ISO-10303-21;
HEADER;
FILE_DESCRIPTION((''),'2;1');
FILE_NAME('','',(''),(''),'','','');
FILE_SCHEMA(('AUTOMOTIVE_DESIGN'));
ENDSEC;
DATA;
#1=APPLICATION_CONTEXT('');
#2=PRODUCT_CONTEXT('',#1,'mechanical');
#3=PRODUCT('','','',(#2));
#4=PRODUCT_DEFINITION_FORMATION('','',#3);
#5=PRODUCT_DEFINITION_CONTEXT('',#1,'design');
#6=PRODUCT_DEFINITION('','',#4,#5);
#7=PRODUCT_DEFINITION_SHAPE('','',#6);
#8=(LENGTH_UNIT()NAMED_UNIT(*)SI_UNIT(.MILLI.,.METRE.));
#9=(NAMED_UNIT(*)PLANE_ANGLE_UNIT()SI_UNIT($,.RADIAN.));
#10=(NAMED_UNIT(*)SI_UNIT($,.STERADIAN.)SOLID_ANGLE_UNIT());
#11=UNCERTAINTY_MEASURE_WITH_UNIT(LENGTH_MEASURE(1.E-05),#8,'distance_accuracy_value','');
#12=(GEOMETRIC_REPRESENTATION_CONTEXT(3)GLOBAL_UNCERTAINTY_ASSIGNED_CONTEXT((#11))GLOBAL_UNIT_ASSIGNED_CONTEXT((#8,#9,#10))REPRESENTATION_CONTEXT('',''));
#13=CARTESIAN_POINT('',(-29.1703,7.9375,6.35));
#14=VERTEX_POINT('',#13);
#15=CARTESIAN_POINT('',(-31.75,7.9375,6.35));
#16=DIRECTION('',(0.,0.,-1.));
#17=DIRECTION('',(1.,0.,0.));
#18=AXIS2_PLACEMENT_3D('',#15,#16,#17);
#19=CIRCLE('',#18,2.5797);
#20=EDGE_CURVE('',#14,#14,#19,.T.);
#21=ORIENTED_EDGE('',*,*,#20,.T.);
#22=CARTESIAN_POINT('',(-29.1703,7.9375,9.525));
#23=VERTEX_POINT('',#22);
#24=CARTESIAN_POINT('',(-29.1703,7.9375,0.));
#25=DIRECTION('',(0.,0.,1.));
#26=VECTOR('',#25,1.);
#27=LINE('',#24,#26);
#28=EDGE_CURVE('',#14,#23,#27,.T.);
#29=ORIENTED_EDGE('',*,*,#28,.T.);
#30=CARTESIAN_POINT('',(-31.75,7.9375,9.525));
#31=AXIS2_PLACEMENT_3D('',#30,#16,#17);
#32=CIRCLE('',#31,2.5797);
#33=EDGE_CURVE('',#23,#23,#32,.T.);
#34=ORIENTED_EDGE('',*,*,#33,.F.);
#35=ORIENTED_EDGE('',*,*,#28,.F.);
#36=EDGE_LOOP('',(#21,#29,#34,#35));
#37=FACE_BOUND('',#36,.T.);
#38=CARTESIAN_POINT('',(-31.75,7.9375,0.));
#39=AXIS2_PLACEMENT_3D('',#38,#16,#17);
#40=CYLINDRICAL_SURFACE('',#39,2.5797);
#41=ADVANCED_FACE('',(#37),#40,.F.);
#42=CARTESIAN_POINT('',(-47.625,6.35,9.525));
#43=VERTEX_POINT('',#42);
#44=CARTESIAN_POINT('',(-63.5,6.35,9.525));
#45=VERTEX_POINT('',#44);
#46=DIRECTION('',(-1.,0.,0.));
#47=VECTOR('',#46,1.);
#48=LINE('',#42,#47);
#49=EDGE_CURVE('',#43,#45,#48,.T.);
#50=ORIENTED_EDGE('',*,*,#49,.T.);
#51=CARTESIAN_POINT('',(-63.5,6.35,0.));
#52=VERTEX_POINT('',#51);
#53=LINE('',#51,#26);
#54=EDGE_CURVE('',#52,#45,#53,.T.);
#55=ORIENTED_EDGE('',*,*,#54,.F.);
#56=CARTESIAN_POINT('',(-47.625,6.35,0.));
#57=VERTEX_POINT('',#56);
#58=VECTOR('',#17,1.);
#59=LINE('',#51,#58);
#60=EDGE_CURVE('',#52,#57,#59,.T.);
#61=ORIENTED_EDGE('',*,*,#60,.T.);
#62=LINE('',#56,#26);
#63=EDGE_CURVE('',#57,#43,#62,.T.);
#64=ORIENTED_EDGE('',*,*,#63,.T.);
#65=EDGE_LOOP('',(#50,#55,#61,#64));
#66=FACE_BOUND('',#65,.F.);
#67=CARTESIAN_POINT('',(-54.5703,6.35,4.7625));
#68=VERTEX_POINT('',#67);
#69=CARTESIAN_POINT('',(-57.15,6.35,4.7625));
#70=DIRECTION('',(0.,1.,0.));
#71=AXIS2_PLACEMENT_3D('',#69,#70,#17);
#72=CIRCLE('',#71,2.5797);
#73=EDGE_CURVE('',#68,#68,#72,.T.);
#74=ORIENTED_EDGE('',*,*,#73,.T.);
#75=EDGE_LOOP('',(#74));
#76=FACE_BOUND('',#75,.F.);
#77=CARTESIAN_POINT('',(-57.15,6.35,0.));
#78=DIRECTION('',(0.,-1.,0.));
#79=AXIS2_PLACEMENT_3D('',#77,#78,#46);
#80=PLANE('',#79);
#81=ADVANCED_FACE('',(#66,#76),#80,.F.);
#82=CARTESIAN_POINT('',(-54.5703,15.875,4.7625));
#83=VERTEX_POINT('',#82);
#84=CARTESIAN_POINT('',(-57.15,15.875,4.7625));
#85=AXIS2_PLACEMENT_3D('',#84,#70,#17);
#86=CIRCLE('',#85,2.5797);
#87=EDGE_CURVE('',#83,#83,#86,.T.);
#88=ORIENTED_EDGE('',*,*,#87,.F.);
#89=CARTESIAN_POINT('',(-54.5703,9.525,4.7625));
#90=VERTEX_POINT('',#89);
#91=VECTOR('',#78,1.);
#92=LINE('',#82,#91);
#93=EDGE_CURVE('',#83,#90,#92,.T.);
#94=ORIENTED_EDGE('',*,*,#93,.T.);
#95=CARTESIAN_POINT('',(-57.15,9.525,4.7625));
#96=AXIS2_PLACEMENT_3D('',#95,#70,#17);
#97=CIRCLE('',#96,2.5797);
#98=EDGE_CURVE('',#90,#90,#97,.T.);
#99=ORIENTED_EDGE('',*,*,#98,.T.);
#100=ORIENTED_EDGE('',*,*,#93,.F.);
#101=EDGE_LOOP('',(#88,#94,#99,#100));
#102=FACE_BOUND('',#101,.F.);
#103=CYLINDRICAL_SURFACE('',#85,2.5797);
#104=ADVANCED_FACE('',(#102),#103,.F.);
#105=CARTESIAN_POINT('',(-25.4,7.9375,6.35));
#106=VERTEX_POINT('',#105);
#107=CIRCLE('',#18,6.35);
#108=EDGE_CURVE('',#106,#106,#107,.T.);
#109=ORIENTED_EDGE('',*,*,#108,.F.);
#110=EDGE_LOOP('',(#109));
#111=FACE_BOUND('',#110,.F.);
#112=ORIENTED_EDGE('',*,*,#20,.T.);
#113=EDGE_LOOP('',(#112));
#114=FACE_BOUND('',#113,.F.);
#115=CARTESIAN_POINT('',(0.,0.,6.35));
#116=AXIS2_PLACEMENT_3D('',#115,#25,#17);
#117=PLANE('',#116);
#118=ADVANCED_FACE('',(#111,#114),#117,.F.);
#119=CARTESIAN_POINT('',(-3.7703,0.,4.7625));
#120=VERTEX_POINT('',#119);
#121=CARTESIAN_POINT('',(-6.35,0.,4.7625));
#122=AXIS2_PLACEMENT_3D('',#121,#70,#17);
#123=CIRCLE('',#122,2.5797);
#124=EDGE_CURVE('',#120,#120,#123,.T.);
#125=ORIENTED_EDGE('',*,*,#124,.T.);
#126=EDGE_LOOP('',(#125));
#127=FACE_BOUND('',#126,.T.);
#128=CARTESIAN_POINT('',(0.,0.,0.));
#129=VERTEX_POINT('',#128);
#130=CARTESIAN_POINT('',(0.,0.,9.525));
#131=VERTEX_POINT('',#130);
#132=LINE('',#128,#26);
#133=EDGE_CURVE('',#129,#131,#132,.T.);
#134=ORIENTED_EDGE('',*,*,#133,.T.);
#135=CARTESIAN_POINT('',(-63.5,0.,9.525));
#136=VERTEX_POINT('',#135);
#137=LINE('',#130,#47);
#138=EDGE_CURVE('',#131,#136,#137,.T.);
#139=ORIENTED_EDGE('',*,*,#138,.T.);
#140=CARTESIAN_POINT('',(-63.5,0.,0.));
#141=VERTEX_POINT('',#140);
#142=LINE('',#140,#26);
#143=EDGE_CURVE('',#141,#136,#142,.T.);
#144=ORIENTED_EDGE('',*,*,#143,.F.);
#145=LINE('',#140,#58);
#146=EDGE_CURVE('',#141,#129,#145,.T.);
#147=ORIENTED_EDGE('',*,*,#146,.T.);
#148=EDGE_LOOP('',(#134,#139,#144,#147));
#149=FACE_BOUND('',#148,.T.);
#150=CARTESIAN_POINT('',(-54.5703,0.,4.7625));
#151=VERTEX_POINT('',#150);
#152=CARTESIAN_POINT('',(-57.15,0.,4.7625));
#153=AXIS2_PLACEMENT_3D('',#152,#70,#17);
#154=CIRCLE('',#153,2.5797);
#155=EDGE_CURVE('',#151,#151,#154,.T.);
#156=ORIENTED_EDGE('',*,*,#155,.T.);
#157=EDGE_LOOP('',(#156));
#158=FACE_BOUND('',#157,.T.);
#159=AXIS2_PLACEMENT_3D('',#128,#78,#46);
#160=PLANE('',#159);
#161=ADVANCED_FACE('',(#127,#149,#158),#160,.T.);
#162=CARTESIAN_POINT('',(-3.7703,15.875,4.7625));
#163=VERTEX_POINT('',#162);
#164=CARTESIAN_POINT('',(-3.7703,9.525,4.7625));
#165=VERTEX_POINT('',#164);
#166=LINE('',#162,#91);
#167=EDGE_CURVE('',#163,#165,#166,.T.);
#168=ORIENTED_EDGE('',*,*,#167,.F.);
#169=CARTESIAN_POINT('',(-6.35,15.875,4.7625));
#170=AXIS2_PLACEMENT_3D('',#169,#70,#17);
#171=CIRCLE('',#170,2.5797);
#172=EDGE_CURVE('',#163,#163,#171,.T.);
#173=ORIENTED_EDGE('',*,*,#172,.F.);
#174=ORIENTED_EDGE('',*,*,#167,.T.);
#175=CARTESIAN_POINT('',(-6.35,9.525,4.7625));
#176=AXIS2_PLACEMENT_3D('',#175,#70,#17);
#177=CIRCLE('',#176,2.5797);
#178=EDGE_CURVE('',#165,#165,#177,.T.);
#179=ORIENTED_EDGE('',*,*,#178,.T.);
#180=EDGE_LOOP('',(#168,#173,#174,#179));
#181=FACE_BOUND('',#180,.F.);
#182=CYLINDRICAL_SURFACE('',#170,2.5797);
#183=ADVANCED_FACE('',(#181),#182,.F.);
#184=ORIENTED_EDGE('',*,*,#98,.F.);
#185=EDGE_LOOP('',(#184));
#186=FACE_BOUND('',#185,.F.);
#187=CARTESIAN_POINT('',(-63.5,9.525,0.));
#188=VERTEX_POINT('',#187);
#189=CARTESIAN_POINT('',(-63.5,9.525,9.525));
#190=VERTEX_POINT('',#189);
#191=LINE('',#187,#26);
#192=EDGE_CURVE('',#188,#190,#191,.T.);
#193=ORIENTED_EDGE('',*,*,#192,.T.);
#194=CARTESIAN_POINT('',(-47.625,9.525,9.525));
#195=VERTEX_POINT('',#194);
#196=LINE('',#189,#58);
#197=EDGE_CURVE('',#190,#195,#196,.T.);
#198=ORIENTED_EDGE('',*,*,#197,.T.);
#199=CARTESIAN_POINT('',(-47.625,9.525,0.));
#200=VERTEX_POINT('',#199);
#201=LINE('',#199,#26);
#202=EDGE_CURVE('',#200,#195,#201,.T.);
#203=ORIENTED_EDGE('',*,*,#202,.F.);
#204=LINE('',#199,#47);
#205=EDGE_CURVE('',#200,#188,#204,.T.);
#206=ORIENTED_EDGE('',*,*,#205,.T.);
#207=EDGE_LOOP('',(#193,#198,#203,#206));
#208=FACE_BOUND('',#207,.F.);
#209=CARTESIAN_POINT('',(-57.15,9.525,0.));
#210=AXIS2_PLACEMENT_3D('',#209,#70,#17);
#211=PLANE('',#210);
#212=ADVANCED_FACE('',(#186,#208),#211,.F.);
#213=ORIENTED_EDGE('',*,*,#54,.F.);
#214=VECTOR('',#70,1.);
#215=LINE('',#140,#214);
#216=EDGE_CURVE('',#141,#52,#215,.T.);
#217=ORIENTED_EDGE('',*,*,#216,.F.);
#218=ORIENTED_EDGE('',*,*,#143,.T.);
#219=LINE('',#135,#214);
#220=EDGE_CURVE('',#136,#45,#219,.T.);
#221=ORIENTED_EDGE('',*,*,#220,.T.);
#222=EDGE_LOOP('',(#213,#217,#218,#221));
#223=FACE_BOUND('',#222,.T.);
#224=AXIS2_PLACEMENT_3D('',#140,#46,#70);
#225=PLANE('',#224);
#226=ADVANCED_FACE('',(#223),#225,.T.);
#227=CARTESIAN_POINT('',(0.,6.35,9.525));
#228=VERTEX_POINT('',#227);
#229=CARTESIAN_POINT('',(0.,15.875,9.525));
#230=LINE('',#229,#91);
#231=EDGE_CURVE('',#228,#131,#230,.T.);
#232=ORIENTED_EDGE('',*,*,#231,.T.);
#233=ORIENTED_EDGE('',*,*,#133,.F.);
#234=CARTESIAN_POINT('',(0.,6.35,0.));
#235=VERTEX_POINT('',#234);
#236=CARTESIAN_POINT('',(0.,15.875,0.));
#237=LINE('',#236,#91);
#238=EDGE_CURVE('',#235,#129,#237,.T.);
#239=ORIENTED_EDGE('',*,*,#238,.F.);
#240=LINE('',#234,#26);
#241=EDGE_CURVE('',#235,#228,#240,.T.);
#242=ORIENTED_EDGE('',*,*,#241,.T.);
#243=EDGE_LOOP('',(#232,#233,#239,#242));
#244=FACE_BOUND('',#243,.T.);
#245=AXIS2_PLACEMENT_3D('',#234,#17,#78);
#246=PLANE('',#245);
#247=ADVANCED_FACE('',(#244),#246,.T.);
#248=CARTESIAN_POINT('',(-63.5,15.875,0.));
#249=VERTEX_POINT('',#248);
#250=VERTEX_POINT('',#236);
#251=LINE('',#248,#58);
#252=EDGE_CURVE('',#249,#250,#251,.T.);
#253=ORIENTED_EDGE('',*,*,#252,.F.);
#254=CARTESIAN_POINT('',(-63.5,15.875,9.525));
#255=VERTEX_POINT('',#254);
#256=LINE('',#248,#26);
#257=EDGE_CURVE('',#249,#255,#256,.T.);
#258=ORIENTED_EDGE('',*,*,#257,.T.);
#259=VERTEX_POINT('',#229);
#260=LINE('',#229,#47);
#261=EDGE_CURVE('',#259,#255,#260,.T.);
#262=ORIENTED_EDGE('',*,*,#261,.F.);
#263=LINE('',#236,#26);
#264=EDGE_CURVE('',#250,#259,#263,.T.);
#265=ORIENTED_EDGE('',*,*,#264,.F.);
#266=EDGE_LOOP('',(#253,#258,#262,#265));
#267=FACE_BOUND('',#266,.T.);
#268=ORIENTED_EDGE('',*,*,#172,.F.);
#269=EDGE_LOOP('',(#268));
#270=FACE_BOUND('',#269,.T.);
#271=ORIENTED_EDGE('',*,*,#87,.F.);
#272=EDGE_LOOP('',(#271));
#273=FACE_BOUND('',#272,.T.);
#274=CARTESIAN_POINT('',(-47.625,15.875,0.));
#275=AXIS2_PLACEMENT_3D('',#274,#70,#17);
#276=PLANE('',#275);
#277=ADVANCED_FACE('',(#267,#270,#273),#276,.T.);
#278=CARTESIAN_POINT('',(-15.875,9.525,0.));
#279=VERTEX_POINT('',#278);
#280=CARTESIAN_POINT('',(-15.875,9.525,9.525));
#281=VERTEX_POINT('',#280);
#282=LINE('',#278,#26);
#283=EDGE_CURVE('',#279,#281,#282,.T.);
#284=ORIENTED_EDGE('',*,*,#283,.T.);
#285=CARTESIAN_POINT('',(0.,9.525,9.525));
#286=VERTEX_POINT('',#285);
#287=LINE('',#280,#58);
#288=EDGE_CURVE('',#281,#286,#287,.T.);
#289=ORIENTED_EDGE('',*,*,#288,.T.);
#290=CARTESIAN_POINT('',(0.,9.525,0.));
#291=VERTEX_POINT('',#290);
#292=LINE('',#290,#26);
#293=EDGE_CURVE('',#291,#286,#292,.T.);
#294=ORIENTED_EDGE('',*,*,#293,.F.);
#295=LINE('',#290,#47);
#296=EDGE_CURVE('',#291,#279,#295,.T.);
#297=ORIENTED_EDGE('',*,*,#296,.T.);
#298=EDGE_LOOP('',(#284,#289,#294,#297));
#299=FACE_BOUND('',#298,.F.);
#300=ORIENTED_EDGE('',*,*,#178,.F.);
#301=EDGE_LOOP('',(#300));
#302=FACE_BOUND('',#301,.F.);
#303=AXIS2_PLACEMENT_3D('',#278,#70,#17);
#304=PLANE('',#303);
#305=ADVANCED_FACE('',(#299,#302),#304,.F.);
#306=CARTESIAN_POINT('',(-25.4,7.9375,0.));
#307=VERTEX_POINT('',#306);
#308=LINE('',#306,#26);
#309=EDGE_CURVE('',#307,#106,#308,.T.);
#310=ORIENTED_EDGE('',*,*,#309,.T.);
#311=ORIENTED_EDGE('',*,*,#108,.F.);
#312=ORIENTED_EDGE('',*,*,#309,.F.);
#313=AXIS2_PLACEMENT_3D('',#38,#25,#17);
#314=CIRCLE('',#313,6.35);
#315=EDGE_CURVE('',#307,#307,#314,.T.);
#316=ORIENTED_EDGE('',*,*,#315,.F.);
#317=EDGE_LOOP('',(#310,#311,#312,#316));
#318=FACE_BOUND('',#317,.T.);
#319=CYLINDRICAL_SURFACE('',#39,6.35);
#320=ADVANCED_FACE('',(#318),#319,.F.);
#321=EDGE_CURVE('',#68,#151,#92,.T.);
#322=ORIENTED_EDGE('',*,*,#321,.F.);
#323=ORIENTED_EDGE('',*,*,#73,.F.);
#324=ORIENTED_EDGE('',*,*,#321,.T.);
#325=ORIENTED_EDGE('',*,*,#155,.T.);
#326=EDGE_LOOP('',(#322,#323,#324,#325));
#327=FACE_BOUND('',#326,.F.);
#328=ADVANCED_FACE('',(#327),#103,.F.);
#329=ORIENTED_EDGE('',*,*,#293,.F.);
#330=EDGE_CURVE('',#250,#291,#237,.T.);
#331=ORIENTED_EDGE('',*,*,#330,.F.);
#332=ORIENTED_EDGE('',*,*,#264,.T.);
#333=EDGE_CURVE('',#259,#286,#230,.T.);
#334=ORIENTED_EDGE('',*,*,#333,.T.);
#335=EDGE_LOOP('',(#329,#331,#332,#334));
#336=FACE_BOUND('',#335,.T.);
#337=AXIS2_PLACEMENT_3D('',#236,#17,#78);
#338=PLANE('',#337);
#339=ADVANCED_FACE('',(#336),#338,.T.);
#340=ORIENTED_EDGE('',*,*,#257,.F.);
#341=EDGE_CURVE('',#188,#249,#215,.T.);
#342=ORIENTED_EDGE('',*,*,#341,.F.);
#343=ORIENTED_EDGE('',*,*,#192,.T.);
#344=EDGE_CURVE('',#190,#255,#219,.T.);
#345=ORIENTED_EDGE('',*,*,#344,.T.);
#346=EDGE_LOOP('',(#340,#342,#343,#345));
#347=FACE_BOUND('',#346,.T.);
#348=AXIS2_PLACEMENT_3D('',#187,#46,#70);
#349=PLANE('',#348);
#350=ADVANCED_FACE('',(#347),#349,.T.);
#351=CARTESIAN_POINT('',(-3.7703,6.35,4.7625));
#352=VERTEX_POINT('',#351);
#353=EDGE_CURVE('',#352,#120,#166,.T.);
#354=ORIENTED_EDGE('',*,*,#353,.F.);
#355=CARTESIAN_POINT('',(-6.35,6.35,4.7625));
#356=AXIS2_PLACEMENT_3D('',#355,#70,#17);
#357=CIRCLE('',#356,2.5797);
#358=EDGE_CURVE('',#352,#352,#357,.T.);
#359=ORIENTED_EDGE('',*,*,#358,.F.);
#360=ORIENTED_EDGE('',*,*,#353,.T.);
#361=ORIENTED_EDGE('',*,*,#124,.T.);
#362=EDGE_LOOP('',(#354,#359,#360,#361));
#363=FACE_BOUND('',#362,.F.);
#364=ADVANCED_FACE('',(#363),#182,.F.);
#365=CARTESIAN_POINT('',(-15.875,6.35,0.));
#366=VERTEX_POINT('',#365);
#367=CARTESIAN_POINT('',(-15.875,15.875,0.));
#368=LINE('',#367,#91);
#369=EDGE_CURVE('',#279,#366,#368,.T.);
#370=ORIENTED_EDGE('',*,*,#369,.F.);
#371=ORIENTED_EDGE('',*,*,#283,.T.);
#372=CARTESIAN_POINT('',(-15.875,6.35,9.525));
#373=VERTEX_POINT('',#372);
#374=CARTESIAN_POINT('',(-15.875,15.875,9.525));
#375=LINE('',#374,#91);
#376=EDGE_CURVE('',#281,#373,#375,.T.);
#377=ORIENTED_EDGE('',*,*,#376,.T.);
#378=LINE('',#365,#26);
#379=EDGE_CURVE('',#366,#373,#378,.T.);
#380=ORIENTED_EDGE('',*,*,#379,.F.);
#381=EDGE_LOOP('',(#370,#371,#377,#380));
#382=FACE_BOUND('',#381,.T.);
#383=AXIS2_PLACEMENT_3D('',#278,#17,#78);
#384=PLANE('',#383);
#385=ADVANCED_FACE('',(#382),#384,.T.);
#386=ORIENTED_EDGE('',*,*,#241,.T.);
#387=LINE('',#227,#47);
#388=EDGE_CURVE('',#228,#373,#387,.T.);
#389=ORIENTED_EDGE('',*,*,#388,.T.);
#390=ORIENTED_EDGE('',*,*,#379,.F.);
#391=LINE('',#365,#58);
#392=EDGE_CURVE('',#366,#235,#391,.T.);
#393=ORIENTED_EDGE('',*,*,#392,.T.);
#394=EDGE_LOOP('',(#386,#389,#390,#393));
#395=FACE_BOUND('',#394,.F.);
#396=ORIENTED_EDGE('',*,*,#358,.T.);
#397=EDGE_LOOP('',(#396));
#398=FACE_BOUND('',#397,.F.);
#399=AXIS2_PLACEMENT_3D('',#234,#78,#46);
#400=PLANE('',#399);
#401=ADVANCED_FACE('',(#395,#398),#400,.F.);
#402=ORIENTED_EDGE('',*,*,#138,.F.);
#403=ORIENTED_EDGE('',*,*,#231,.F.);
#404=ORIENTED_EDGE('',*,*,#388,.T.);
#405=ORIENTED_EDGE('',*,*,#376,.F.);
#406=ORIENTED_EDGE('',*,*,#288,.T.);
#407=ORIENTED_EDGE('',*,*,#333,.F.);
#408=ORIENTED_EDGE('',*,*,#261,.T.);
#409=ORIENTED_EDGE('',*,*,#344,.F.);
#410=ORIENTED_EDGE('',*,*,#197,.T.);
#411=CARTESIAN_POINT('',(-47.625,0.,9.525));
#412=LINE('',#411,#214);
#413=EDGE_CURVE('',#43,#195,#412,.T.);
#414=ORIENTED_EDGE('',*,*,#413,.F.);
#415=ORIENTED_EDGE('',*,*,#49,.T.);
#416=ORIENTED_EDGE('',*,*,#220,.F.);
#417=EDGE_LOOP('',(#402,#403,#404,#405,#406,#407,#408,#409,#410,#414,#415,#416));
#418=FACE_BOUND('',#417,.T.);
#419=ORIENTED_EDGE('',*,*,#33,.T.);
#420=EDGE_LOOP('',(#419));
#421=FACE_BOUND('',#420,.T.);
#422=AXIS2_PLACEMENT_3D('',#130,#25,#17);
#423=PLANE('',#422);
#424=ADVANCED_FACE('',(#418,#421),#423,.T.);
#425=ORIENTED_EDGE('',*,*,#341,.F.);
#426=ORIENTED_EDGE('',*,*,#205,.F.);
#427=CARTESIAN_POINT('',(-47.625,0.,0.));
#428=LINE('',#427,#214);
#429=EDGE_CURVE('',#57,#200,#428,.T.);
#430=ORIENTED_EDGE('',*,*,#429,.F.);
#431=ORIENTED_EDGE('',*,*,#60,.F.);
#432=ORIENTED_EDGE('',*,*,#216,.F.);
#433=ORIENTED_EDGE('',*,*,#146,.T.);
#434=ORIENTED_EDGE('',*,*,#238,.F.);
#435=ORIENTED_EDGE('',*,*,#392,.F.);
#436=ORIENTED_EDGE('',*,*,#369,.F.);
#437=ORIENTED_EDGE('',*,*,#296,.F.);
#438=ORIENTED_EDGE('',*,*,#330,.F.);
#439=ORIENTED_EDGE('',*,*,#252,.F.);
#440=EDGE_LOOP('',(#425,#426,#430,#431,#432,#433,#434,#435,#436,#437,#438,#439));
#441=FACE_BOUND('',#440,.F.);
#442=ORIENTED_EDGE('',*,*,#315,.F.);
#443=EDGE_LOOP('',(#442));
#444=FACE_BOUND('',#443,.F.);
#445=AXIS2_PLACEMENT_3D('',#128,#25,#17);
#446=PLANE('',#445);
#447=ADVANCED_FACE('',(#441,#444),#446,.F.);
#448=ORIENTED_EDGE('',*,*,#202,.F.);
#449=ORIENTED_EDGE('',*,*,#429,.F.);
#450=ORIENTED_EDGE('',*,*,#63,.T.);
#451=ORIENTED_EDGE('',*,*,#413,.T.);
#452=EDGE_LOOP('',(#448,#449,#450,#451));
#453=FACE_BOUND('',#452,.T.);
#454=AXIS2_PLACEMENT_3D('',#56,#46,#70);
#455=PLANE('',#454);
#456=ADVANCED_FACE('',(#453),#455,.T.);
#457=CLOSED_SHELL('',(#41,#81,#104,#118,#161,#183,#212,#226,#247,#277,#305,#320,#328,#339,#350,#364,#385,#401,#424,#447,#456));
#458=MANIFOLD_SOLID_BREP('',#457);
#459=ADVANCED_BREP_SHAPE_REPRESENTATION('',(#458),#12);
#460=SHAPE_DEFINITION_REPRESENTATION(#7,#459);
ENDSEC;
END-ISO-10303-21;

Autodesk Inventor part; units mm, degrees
ref_plane "YZ Plane" through (0, 0, 0) normal (1, 0, 0) x (0, 1, 0)
ref_plane "XZ Plane" through (0, 0, 0) normal (0, 1, 0) x (-1, 0, 0)
ref_plane "XY Plane" through (0, 0, 0) normal (0, 0, 1) x (1, 0, 0)
sketch "Sketch1" plane through (0, 0, 0) normal (0, 0, 1) x (1, 0, 0)
  line L0 (0, 0) -> (-63.5, 0)
  line L1 (-63.5, 0) -> (-63.5, 15.875)
  line L2 (-63.5, 15.875) -> (0, 15.875)
  line L3 (0, 15.875) -> (0, 0)
  line L4 (0, 6.35) -> (-63.5, 6.35)
  line L5 (-63.5, 6.35) -> (-63.5, 9.525)
  line L6 (-63.5, 9.525) -> (0, 9.525)
  line L7 (0, 9.525) -> (0, 6.35)
  line L8 (-47.625, 15.875) -> (-15.875, 15.875)
  line L9 (-15.875, 15.875) -> (-15.875, 0)
  line L10 (-15.875, 0) -> (-47.625, 0)
  line L11 (-47.625, 0) -> (-47.625, 15.875)
  circle A0 centre (-31.75, 7.9375) radius 6.35
  circle A1 centre (-31.75, 7.9375) radius 2.5797
  line L12 (-6.35, 6.35) -> (-6.35, 9.525)
  line L13 (-57.15, 6.35) -> (-57.15, 9.525)
  point P0 (-15.875, 6.35)
  point P1 (-15.875, 9.525)
  point P2 (-47.625, 9.525)
  point P3 (-47.625, 6.35)
  dimension "d12" = 15.875
  dimension "d13" = 6.35
  dimension "d14" = 3.175
  dimension "d15" = 15.875
  dimension "d16" = 15.875
  dimension "d17" = 7.9375
  dimension "d18" = 31.75
  dimension "d19" = 12.7
  dimension "d20" = 5.1594
  dimension "d33" = 6.35
  dimension "d34" = 6.35
  dimension "d35" = 50.8
  dimension "d36" = 63.5
extrude "Extrusion1" add sketch "Sketch1" along normal blind 9.525 contours L0 L9 L4 L3 | L0 L11 L4 A0 L9 | L0 L1 L4 L11 | L4 A0 L6 L9 | L6 L9 L2 L3 | L11 L6 A0 L4 | A0 L4 A1 | L4 A1 L6 A0 | L6 A0 L11 L2 L9 | A0 L6 A1 L4 | L6 L1 L2 L11 | L6 A1 A0
extrude "Extrusion2" cut sketch "Sketch1" along normal blind 6.35 contours A0 L4 A1 | L4 A1 L6 A0 | A0 L6 A1 L4 | A1 L4 | L4 A1 L6 | L6 A1 A0 | L6 A1
sketch "Sketch2" plane through (-63.5, 15.875, 0) normal (0, 1, 0) x (1, 0, 0)
  circle A0 centre (57.15, -4.7625) radius 2.5797
  circle A1 centre (6.35, -4.7625) radius 2.5797
  line L0 (63.5, 0) -> (0, 0) projected
  line L1 (63.5, 0) -> (63.5, -9.525) projected
  line L2 (0, 0) -> (0, -9.525) projected
  dimension "d25" = 4.7625
  dimension "d26" = 4.7625
  dimension "d27" = 6.35
  dimension "d28" = 6.35
  dimension "d29" = 5.1594
extrude "Extrusion3" cut sketch "Sketch2" against normal through all
equation "\"d16\" = d15"
equation "\"d17\" = 0.5 * d12"
equation "\"d18\" = 0.5 * d36"
equation "\"d33\" = d34"
equation "\"d34\" = d13"
equation "\"d26\" = d25"
equation "\"d27\" = d28"
properties part number "Connector"
